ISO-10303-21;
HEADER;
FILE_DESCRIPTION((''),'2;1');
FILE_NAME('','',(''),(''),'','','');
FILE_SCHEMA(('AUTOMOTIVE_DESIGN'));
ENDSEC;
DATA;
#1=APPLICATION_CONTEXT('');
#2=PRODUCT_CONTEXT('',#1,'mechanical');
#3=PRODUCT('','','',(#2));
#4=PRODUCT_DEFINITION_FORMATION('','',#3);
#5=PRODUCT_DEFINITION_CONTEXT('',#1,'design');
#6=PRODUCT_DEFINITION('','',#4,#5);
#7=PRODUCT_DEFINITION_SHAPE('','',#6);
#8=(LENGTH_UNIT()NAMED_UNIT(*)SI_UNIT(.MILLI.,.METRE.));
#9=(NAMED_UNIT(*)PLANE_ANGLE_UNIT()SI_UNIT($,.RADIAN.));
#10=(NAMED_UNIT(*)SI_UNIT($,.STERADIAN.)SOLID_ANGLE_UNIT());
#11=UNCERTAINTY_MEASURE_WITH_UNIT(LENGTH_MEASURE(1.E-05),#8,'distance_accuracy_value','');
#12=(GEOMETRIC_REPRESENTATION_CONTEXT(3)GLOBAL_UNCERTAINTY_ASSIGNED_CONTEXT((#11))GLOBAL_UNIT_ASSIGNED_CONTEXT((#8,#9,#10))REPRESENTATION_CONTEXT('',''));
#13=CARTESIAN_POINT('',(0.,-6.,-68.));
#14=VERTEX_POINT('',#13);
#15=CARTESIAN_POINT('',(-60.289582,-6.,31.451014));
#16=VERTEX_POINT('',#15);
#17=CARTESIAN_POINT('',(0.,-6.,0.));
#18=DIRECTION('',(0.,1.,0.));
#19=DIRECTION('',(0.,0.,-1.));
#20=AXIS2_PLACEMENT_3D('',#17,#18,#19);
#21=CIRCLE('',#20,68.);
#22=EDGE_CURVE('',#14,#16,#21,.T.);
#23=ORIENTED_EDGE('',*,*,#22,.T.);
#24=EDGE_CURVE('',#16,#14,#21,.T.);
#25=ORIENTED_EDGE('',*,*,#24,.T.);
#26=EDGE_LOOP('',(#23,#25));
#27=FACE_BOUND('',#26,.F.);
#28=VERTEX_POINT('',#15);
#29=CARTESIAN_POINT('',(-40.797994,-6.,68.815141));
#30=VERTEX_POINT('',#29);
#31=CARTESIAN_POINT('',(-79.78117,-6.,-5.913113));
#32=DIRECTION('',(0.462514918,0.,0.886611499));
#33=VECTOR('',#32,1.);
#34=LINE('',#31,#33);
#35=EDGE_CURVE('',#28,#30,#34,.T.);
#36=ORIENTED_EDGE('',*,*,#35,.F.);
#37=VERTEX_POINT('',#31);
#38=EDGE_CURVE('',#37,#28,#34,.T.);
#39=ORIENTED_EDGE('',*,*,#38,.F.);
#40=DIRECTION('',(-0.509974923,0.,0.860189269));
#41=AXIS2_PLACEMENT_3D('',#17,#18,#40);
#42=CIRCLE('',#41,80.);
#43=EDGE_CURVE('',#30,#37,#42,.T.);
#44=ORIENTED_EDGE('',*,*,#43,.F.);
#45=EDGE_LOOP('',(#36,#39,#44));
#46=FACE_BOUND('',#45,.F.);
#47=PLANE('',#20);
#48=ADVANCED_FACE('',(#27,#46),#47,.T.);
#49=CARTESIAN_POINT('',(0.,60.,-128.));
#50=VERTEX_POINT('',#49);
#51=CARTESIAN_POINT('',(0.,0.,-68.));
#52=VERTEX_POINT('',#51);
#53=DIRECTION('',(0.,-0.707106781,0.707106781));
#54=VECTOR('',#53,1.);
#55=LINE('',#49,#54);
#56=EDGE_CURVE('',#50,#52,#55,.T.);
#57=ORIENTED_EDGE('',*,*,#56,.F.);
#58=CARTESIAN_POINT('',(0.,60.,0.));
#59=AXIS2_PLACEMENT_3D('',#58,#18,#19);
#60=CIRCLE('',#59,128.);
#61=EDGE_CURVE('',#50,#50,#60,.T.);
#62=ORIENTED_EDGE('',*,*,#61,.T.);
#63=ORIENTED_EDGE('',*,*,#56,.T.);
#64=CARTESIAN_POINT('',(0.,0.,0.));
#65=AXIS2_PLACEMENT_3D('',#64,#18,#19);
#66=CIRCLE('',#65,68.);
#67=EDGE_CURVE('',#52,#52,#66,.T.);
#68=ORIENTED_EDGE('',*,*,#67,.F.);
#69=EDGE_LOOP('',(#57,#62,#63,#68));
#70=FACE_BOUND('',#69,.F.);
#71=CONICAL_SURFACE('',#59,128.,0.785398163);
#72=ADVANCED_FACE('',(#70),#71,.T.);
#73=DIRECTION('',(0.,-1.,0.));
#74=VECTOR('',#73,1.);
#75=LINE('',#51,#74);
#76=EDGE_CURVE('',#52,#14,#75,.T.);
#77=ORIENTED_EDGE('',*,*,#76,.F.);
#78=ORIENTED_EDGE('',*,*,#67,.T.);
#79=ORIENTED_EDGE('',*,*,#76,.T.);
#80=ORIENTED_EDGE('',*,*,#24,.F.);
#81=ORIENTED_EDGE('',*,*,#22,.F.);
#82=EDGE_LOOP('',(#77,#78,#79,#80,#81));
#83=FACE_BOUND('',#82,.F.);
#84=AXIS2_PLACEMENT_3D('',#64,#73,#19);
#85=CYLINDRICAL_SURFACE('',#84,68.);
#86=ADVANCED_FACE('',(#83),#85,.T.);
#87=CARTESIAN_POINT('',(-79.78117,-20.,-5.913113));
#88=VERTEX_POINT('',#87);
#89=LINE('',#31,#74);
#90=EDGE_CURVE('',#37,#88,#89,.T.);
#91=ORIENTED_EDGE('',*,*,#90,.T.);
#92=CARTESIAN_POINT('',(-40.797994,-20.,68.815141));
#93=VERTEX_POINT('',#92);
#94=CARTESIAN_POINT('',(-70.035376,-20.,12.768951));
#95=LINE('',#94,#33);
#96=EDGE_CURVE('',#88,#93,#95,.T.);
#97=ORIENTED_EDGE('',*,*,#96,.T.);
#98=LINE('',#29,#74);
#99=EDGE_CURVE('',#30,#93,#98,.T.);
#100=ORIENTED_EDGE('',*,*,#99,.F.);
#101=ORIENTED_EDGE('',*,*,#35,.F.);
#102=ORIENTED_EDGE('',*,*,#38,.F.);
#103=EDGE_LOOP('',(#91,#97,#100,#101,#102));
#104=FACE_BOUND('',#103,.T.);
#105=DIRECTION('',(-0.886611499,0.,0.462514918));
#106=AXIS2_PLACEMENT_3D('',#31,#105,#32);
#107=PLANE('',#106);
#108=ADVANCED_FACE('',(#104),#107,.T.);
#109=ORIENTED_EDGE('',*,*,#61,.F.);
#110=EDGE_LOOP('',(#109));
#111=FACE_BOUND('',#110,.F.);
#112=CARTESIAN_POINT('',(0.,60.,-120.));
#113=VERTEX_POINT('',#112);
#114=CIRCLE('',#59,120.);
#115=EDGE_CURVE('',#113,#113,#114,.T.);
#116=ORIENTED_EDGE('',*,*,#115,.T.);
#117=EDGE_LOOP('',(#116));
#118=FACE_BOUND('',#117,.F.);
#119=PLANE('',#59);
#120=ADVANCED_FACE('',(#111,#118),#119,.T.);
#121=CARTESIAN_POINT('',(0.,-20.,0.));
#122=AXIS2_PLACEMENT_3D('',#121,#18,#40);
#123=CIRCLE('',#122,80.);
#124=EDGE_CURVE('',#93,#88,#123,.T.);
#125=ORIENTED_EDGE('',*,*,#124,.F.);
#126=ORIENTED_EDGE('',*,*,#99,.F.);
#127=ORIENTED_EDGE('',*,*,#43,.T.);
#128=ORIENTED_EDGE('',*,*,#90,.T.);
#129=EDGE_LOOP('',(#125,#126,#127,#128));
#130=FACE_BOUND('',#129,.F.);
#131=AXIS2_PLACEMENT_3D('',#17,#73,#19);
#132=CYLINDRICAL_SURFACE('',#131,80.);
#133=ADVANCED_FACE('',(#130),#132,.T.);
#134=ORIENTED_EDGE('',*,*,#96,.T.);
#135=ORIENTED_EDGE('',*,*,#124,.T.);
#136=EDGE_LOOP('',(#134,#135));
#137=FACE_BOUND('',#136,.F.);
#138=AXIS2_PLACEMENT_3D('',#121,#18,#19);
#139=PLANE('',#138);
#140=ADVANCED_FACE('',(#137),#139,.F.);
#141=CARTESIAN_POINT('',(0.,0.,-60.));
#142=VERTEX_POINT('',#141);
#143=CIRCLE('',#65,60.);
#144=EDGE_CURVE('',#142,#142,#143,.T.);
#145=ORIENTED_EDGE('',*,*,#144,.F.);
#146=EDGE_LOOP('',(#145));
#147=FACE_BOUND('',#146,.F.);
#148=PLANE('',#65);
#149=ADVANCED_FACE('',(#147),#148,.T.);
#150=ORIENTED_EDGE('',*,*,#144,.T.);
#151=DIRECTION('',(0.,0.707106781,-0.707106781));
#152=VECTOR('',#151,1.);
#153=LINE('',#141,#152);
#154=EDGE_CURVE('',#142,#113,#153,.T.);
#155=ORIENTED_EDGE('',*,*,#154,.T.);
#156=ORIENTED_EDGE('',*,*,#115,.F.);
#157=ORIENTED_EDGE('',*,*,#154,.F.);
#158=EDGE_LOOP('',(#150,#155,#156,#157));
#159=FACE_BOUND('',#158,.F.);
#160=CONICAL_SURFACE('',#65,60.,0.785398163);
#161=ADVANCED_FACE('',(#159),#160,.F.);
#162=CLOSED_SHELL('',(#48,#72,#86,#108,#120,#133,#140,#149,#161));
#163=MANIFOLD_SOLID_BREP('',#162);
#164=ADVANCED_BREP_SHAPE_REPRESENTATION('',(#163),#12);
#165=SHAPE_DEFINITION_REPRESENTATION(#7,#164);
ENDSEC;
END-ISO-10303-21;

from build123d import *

# Parameters (mm, degrees)
ENL_V_MAT_EXTRU_1_DEPTH = 15


with BuildPart() as part:
    # Esquisse1 → Révolution1 (revolve)
    with BuildSketch(Plane.XY, mode=Mode.PRIVATE) as r_volution1_sk:
        Polygon((0, 0), (-60, 0), (-120, 60), (-128, 60), (-68, 0), (-68, -6), (-80, -6), (-80, -20), (0, -20), align=None)
    revolve(r_volution1_sk.sketch.rotate(Axis((0, -20, 0), (0, 1, 0)), 270), axis=Axis((0, -20, 0), (0, 1, 0)))  # turned: the seam where the file's is

    # Esquisse8 → Enlèv. mat.-Extru.1 (cut, through all)
    with BuildSketch(Plane(origin=(0, -6, 0), x_dir=(1, 0, 0), z_dir=(0, 1, 0))):
        Polygon((-79.781170075, 5.913112665), (-40.797993833, -68.815141497), (-98.313445601, -98.818987004), (-137.296621843, -24.090732842), align=None)
    extrude(amount=-ENL_V_MAT_EXTRU_1_DEPTH, mode=Mode.SUBTRACT)


solid = part.part
